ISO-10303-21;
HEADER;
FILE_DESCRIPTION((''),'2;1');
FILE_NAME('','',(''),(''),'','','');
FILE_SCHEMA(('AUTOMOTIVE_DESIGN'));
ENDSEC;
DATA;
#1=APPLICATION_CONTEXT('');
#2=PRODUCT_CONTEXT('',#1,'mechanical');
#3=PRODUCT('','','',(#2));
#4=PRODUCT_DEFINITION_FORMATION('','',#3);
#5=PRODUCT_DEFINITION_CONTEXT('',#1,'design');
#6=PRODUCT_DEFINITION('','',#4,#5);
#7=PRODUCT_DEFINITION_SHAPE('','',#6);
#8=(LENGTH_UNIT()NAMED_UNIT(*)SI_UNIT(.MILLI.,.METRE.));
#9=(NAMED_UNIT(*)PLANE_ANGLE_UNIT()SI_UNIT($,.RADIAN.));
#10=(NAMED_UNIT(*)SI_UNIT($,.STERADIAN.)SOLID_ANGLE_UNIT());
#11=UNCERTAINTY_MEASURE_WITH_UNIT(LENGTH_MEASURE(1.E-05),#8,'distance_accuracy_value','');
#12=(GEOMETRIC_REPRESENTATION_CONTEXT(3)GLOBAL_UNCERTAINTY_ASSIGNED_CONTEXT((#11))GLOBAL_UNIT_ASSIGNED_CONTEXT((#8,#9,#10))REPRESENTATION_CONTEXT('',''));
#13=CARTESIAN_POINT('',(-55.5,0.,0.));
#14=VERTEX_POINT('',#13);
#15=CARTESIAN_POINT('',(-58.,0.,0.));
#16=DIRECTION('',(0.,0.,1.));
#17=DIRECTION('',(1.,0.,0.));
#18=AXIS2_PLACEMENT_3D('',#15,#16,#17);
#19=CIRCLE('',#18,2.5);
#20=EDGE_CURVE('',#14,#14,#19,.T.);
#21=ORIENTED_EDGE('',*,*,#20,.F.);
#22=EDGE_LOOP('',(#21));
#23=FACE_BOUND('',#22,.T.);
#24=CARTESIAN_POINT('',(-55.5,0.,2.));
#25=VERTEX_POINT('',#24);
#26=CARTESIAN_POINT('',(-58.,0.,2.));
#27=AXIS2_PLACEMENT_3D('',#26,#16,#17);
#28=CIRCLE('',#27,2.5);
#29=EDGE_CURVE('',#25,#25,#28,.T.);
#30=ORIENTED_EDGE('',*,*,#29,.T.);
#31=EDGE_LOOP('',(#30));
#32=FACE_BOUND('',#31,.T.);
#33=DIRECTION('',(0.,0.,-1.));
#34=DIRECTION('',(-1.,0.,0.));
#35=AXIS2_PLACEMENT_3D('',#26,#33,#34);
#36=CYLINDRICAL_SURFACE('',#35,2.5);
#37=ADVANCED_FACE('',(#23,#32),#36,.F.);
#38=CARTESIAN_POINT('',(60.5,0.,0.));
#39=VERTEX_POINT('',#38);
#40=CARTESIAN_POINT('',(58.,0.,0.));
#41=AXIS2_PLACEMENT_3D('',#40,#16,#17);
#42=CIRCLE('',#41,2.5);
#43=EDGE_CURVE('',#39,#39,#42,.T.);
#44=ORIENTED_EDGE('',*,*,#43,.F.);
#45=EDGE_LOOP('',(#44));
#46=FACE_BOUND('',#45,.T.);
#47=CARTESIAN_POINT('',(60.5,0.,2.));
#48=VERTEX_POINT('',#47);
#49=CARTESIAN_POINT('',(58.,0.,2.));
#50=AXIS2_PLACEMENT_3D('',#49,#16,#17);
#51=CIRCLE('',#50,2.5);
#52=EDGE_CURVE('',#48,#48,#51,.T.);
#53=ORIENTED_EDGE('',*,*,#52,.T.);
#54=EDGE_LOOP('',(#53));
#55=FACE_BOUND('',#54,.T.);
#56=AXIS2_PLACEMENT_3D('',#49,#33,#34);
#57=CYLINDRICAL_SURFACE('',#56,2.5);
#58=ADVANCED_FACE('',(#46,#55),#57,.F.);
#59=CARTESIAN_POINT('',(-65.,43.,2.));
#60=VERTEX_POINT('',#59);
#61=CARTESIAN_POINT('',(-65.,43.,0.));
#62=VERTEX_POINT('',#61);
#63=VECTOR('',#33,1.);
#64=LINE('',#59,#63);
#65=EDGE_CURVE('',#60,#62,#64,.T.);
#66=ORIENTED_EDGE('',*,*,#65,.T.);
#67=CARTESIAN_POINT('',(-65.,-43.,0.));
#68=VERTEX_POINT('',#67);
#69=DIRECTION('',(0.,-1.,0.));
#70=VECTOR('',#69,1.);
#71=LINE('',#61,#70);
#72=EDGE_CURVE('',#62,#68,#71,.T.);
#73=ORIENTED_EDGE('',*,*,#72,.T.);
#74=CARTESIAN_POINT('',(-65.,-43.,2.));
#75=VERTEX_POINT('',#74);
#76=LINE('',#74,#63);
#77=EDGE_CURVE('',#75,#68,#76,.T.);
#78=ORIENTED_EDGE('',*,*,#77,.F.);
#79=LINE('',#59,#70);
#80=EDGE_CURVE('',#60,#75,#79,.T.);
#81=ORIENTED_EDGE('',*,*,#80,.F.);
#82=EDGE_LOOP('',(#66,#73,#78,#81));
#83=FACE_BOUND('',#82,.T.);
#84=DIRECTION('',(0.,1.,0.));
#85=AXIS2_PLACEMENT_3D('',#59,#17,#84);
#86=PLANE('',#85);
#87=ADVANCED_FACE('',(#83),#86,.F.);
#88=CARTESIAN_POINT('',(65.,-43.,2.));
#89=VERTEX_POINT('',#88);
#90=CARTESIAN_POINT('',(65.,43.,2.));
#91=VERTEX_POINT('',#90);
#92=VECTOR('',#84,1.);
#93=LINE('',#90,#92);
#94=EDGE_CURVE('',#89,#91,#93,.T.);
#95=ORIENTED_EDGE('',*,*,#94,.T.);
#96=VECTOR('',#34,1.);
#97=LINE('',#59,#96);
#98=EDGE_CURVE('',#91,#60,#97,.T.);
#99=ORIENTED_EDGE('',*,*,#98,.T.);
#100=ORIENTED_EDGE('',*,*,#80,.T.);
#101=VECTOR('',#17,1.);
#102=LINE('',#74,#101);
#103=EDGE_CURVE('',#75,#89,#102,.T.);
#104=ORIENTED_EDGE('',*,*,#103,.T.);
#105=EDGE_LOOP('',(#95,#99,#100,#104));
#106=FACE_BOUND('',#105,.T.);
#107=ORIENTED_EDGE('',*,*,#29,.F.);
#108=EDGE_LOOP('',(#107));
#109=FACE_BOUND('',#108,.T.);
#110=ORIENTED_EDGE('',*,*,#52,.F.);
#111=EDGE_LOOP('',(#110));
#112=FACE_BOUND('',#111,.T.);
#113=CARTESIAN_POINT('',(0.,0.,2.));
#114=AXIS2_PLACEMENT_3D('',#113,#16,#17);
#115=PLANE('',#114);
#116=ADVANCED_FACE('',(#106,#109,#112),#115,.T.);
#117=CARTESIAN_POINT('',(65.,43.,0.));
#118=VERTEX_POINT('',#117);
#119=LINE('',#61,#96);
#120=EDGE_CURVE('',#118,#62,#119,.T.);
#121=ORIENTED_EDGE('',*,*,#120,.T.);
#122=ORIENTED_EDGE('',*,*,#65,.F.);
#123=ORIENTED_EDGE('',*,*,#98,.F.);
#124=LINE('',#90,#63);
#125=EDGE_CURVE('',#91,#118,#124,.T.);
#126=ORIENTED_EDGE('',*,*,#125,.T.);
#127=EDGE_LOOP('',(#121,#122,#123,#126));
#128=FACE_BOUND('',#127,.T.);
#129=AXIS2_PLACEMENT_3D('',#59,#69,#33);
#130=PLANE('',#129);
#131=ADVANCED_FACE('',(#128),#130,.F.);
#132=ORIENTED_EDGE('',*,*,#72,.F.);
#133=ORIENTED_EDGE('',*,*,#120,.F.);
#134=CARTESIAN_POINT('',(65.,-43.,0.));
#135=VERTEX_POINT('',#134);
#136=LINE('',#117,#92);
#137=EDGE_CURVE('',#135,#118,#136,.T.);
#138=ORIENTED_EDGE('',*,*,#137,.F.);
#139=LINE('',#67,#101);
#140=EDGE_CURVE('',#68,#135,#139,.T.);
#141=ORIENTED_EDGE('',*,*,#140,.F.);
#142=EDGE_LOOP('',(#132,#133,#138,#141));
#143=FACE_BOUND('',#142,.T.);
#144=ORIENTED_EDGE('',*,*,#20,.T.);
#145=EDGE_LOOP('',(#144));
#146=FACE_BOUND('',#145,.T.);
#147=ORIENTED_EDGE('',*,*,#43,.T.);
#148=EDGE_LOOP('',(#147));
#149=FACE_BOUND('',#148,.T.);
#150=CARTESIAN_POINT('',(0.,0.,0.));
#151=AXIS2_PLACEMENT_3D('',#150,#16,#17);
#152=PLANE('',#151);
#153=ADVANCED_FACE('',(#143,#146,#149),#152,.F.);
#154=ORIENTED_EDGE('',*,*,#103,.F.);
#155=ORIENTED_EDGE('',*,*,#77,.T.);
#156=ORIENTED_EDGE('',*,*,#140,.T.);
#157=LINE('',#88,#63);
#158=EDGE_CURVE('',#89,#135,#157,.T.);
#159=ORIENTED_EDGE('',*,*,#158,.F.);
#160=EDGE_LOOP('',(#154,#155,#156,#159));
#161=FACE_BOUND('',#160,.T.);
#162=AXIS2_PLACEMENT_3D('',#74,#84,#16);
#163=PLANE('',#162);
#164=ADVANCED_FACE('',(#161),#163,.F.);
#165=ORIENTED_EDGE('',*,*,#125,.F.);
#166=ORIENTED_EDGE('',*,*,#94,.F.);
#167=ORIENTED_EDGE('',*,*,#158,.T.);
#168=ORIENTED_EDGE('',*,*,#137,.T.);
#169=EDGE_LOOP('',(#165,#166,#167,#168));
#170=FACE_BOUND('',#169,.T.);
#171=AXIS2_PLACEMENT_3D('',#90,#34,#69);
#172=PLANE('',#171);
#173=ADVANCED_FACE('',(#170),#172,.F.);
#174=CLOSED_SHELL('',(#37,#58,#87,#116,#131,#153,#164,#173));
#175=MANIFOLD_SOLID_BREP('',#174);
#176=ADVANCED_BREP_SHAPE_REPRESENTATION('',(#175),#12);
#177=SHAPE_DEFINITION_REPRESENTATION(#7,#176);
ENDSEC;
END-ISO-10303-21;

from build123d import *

# Parameters (mm, degrees)
SKETCH1_W           = 130
SKETCH1_H           = 86
SKETCH1_R           = 2.5
BOSS_EXTRUDE1_DEPTH = 2


with BuildPart() as part:
    # Sketch1 → Boss-Extrude1 (new body)
    with BuildSketch(Plane.XY):
        Rectangle(SKETCH1_W, SKETCH1_H)
        with Locations((-58, 0)):
            Circle(SKETCH1_R, mode=Mode.SUBTRACT)
        with Locations((58, 0)):
            Circle(SKETCH1_R, mode=Mode.SUBTRACT)
    extrude(amount=BOSS_EXTRUDE1_DEPTH)


solid = part.part
